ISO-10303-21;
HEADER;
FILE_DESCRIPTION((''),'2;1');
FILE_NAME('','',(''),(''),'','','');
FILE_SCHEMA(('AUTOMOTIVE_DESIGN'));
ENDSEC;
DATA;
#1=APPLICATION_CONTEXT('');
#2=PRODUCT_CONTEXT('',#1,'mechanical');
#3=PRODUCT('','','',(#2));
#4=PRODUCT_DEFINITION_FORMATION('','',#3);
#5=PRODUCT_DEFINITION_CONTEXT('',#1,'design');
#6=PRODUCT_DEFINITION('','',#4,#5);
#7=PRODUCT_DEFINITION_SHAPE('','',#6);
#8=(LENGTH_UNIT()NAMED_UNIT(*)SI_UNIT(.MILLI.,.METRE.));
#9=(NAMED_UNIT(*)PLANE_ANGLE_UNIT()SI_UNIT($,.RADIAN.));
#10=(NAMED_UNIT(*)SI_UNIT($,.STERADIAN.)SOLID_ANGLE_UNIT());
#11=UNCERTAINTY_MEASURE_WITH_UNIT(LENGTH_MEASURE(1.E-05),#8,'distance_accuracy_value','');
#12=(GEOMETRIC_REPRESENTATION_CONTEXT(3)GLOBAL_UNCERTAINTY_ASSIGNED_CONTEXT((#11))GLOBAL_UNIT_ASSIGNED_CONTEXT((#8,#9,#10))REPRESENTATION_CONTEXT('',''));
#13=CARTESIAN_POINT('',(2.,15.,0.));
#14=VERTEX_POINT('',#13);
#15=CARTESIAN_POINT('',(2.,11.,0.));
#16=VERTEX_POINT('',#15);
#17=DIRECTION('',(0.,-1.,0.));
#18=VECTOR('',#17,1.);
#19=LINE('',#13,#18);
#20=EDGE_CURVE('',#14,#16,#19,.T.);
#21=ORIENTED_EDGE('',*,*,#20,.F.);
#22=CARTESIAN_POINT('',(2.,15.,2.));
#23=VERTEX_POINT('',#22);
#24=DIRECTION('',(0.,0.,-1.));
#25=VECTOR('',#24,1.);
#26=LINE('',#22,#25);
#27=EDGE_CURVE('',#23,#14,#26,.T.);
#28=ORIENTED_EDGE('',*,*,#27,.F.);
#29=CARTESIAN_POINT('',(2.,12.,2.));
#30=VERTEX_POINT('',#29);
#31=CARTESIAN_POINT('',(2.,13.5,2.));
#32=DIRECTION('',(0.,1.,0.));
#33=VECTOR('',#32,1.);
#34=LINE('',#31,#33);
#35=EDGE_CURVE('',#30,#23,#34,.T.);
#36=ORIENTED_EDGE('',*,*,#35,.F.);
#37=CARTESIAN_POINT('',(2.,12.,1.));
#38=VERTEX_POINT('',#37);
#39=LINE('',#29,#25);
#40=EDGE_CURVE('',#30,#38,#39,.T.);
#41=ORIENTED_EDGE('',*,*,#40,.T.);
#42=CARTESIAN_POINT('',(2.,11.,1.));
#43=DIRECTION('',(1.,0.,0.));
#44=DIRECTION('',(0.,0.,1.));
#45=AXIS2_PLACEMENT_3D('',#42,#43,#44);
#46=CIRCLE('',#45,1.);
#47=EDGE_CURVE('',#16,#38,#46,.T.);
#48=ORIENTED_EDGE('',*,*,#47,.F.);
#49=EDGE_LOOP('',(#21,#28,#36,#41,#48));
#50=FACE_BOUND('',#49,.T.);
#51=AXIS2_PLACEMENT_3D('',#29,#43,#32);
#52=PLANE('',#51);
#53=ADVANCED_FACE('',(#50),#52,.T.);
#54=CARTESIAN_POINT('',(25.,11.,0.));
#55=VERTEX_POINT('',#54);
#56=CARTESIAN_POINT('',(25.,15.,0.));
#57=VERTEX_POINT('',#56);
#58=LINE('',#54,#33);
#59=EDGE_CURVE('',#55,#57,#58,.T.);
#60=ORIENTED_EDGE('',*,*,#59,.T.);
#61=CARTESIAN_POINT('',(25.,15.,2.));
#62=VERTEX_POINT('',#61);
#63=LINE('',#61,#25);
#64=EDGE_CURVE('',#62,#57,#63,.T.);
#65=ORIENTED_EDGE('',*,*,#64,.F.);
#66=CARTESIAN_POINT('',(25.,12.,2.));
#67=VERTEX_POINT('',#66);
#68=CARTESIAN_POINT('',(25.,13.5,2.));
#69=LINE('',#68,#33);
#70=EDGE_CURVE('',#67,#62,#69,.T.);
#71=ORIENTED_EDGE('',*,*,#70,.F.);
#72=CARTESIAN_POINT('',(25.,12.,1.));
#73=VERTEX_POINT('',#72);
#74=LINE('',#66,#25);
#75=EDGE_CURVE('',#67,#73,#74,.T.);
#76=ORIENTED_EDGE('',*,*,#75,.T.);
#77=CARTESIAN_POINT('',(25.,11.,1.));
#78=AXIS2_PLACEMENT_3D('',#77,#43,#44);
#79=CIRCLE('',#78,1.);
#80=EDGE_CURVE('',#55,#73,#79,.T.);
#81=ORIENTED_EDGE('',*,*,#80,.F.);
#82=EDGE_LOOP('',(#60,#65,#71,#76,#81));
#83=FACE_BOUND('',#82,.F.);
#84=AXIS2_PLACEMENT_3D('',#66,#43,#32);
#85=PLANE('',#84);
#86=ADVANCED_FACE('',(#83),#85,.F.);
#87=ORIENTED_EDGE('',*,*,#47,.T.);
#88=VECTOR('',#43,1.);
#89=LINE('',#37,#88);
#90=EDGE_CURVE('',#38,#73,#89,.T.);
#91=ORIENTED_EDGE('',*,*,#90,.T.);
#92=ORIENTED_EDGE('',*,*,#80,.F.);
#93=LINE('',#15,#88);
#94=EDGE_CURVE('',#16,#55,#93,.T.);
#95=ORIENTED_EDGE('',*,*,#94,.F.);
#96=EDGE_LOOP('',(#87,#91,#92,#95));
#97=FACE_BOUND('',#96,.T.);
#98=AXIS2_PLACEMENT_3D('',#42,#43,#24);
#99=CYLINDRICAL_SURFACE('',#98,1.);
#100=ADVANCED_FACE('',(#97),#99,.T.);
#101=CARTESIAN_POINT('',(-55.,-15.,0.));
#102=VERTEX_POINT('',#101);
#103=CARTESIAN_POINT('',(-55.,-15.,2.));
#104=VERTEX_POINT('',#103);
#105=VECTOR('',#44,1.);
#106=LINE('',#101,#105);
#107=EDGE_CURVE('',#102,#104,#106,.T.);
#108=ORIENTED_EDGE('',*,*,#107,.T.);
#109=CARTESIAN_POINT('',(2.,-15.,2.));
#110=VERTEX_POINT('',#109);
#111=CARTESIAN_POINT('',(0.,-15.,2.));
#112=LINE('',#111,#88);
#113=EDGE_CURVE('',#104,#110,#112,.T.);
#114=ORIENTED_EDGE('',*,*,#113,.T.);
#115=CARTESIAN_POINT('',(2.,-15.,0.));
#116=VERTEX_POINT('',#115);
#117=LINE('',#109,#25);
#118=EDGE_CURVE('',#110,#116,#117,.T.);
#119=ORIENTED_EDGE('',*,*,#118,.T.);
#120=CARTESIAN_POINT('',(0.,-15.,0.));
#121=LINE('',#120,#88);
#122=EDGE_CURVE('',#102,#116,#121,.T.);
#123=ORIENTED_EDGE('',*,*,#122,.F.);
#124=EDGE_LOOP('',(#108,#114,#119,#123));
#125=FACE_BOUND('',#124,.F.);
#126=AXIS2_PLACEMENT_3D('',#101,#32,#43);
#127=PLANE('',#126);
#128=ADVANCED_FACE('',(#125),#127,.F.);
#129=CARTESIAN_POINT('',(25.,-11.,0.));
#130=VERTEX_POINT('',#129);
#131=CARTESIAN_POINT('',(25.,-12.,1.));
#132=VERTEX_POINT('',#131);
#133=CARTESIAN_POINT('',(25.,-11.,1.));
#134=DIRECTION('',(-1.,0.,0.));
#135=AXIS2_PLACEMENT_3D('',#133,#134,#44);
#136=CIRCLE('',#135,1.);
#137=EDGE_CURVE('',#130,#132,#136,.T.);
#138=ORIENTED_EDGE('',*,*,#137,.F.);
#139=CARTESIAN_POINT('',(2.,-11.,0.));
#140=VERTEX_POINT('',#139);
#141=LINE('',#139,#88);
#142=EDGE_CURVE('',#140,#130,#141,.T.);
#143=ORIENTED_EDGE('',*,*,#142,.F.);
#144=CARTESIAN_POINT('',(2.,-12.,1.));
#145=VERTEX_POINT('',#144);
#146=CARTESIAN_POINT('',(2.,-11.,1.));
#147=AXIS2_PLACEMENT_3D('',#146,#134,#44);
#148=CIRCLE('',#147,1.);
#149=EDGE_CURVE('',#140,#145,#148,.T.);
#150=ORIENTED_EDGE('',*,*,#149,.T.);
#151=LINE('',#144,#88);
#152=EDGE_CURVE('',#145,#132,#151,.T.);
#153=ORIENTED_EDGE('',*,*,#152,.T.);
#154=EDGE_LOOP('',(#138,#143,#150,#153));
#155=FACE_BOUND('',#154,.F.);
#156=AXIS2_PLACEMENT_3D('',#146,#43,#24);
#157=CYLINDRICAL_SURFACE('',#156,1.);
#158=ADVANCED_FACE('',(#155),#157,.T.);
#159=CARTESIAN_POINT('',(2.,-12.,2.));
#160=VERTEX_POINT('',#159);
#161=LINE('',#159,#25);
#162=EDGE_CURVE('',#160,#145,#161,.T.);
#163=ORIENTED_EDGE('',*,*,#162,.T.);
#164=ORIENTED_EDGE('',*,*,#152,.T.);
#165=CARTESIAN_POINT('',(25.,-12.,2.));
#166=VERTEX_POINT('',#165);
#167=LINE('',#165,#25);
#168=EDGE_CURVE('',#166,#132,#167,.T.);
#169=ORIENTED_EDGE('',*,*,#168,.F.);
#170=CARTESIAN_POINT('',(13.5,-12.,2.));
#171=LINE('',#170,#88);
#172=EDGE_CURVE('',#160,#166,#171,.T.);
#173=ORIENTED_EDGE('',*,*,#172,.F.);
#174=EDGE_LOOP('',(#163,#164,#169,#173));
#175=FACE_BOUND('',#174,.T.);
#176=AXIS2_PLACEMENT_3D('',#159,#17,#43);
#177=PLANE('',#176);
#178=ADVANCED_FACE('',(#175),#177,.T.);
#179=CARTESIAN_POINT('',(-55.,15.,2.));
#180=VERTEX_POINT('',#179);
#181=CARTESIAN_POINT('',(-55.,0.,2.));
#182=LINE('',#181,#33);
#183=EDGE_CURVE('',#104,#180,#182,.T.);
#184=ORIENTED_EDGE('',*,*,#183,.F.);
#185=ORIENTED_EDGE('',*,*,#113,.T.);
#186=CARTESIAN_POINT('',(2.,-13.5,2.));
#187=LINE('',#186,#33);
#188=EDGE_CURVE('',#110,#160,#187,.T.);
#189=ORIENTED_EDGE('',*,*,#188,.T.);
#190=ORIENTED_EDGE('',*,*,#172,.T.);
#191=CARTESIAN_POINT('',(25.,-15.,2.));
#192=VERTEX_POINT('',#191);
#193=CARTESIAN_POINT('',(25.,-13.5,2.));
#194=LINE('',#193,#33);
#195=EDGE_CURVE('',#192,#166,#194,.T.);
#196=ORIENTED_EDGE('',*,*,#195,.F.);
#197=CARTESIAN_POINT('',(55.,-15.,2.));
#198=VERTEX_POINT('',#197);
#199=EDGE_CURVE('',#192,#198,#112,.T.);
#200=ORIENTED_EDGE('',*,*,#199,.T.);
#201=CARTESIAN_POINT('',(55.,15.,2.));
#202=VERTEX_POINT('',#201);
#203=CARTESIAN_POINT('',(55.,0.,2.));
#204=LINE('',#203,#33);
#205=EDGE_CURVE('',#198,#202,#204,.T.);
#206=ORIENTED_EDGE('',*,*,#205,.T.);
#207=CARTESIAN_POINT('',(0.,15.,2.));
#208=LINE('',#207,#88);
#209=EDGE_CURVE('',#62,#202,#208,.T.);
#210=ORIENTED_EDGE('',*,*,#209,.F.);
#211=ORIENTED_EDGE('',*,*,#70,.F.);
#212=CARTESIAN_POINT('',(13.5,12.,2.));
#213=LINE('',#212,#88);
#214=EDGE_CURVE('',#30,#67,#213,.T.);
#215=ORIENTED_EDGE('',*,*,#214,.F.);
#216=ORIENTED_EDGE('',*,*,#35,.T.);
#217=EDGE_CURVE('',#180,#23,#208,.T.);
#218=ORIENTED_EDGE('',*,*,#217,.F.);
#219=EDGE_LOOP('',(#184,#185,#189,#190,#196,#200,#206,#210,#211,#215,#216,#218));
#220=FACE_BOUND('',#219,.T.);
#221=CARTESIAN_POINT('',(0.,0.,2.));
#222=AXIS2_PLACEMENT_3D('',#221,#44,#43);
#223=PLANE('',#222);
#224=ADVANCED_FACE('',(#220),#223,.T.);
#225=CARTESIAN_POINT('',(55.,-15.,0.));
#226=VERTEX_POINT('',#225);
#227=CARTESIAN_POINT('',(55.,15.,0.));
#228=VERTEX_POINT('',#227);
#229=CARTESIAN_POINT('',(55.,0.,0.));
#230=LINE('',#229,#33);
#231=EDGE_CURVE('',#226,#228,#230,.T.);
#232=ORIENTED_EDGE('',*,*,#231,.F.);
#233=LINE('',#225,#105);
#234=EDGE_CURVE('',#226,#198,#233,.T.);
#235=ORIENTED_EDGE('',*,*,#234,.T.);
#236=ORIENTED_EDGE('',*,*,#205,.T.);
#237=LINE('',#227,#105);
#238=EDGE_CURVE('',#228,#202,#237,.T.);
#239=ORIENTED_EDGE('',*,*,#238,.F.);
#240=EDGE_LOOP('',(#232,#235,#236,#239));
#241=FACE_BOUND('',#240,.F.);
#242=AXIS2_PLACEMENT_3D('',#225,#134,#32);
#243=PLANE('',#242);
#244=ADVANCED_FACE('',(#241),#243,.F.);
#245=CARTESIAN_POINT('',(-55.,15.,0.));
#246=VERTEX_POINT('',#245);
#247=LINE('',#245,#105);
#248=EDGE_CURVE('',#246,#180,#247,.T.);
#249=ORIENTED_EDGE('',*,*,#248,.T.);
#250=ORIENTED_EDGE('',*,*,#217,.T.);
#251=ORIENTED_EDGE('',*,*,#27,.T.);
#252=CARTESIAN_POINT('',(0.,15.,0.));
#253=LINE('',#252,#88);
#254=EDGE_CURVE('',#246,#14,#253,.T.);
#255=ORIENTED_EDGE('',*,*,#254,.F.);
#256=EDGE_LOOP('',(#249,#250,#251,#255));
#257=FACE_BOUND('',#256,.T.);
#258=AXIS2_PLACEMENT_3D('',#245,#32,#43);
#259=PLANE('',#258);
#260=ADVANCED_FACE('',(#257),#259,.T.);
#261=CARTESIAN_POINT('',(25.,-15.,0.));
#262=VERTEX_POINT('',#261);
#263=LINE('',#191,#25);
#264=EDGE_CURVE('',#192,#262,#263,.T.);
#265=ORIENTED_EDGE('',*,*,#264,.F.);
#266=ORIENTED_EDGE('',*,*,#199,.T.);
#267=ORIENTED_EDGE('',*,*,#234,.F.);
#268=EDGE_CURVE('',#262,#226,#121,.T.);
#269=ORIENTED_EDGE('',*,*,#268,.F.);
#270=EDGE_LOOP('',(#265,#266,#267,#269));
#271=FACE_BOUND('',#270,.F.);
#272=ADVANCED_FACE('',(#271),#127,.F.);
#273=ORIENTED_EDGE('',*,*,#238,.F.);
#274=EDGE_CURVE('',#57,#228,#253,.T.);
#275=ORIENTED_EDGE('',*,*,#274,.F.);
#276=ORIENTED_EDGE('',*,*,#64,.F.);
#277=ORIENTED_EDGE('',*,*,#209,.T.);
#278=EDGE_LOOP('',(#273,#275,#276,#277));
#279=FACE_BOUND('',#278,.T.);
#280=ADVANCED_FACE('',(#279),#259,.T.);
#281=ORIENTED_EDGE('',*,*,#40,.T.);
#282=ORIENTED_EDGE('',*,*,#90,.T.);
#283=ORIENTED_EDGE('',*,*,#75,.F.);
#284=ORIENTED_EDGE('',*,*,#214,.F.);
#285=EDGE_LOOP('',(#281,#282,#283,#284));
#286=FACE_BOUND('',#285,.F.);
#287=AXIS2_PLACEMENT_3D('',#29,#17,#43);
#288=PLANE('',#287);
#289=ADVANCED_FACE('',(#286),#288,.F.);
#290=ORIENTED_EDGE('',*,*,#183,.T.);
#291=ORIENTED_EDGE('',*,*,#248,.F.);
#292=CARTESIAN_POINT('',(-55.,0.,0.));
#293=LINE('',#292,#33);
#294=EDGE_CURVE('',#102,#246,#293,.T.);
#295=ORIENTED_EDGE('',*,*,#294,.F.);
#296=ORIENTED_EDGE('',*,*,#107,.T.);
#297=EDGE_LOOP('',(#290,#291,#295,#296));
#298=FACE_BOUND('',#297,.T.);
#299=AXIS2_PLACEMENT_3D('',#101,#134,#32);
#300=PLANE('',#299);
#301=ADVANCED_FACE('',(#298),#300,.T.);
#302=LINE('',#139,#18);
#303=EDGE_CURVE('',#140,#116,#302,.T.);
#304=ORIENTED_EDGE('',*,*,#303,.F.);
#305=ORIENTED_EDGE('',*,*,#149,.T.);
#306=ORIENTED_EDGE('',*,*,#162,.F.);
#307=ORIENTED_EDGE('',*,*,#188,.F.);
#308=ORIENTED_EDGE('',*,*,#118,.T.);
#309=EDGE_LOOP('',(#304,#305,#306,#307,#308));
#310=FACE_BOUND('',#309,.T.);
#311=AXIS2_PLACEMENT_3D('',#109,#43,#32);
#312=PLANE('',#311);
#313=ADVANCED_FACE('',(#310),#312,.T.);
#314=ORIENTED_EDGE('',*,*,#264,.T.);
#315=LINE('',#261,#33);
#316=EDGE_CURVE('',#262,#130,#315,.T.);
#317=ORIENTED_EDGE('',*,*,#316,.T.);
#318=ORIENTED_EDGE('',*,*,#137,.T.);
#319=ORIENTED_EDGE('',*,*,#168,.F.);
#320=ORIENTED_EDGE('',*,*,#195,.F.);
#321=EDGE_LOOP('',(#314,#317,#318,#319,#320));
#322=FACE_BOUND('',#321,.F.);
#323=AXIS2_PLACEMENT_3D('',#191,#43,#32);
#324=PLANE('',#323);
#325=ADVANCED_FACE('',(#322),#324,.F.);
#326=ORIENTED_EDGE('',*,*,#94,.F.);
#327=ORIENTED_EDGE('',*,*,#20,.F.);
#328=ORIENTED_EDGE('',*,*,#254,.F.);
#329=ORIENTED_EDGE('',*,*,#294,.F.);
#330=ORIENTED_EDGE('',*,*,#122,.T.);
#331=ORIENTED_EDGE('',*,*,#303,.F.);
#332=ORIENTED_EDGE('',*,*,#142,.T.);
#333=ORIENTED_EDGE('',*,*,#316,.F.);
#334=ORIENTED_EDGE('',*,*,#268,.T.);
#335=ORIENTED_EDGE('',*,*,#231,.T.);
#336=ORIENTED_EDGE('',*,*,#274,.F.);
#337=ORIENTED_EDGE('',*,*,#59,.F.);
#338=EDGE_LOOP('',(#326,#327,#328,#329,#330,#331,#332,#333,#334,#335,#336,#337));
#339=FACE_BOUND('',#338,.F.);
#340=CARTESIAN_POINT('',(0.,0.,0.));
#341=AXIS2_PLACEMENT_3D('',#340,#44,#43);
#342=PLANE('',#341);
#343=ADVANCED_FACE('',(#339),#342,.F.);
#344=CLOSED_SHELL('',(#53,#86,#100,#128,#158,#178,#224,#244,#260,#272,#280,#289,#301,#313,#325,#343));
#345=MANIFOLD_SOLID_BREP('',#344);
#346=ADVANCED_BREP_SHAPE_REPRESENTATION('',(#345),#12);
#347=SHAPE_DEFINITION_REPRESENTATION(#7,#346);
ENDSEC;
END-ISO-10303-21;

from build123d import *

# Parameters (mm, degrees)
F0_W     = 110
F0_H     = 30
F1_DEPTH = 2
F2_W     = 23
F2_H     = 3
F3_DEPTH = 25
F4_R     = 1


with BuildPart() as f1:
    # F0 (on Top) → F1 (new body)
    with BuildSketch(Plane.XY):
        Rectangle(F0_W, F0_H)
    extrude(amount=F1_DEPTH)

    # F2 (on face) → F3 (cut)
    with BuildSketch(Plane.XY.offset(2)):
        with Locations((13.5, 13.5)):
            Rectangle(F2_W, F2_H)
        with Locations((13.5, -13.5)):
            Rectangle(F2_W, F2_H)
    extrude(amount=-F3_DEPTH, mode=Mode.SUBTRACT)

    # F4
    f4_edges = [f1.edges().sort_by_distance(p)[0] for p in [
        (13.5, -12, 0),
        (13.5, 12, 0),
    ]]
    fillet(f4_edges, radius=F4_R)


solid = f1.part
